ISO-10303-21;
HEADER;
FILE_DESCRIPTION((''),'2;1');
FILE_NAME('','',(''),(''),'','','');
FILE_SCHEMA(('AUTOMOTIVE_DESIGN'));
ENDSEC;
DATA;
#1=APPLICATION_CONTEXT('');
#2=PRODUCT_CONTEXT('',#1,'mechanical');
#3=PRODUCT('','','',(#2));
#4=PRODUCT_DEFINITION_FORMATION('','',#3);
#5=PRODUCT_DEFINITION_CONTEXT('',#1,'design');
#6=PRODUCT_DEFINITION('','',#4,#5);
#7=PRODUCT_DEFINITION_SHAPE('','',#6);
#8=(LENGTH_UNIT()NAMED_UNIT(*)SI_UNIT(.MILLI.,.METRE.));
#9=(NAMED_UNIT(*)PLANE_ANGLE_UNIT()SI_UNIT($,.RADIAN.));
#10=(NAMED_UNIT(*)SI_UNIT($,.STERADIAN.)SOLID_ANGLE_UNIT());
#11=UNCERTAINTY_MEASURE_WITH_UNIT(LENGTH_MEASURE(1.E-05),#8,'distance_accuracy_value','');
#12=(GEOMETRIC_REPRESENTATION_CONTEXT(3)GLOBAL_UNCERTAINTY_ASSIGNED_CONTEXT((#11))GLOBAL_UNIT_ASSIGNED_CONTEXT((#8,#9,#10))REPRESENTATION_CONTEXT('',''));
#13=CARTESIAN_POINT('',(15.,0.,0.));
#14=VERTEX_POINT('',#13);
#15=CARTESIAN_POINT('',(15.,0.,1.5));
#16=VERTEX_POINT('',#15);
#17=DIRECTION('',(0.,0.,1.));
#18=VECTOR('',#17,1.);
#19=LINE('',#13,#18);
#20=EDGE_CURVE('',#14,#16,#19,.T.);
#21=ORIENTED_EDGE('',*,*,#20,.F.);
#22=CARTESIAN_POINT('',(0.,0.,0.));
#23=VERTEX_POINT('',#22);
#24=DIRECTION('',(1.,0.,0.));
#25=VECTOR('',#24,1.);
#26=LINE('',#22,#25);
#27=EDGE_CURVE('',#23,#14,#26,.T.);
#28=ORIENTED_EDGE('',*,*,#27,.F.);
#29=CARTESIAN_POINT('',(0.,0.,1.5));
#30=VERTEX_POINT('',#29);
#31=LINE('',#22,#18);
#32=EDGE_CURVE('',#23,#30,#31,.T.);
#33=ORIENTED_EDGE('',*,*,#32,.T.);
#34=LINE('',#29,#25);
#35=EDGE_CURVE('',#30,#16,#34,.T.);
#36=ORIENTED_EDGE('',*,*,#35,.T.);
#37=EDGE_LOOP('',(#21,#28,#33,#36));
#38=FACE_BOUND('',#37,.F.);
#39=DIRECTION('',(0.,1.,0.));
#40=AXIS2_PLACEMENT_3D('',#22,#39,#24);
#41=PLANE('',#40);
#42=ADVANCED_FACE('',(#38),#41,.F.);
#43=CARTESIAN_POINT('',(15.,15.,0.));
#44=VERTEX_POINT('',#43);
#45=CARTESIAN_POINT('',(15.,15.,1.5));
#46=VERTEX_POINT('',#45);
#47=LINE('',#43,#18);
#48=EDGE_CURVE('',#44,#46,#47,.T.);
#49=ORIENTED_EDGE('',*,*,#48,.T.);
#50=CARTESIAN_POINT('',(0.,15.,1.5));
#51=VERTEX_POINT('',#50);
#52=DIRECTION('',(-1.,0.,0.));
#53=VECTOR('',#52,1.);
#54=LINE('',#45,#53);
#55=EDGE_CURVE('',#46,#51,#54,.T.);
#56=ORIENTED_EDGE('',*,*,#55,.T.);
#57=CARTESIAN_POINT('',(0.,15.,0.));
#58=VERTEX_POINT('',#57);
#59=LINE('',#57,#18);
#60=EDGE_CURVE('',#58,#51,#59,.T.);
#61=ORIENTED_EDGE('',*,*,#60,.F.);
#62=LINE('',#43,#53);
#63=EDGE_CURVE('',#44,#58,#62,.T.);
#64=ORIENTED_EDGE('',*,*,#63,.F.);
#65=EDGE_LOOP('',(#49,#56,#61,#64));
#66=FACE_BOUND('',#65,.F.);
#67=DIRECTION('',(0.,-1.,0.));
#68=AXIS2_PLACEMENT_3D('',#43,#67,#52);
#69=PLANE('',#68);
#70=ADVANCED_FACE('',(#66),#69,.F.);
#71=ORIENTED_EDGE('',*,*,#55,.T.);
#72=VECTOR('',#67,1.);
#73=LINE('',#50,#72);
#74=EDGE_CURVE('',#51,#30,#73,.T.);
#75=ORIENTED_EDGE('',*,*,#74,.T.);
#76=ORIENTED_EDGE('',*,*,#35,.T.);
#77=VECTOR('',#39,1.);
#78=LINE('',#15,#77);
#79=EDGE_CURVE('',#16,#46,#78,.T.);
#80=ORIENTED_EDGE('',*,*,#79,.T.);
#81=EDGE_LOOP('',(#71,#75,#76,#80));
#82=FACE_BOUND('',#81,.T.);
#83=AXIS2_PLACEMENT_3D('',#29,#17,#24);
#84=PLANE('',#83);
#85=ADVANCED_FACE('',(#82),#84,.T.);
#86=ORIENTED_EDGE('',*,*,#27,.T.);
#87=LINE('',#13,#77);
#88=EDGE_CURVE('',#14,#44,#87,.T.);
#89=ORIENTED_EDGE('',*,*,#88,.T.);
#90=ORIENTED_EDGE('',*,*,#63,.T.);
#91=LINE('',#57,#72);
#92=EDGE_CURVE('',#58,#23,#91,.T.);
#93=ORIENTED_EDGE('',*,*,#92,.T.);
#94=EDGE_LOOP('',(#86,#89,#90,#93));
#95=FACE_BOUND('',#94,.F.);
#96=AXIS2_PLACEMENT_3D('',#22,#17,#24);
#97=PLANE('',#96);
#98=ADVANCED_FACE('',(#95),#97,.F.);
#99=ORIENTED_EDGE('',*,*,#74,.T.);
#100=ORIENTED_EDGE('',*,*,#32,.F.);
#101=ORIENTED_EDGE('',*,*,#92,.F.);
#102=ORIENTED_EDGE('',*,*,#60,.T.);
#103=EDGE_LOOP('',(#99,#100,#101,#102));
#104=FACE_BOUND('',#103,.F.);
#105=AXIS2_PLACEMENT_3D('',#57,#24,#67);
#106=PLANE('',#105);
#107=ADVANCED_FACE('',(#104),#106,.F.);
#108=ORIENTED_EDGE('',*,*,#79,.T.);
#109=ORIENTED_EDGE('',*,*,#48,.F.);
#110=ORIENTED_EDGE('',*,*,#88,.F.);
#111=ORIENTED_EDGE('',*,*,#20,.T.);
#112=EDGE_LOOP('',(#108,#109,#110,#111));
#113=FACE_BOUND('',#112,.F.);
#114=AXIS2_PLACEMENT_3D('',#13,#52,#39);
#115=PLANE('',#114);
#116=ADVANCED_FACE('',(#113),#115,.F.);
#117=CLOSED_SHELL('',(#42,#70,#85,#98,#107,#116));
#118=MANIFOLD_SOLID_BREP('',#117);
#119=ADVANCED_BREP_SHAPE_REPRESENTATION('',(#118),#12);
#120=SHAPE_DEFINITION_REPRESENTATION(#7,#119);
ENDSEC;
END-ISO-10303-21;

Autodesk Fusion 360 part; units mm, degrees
sketch "Sketch1" plane through (0, 0, 0) normal (0, 0, 1) x (1, 0, 0)
  line L0 (0, 0) -> (15, 0)
  line L1 (15, 0) -> (15, 15)
  line L2 (15, 15) -> (0, 15)
  line L3 (0, 15) -> (0, 0)
  dimension "d1" = 15
  dimension "d2" = 15
extrude "Extrude1" add sketch "Sketch1" along normal blind 1.5
